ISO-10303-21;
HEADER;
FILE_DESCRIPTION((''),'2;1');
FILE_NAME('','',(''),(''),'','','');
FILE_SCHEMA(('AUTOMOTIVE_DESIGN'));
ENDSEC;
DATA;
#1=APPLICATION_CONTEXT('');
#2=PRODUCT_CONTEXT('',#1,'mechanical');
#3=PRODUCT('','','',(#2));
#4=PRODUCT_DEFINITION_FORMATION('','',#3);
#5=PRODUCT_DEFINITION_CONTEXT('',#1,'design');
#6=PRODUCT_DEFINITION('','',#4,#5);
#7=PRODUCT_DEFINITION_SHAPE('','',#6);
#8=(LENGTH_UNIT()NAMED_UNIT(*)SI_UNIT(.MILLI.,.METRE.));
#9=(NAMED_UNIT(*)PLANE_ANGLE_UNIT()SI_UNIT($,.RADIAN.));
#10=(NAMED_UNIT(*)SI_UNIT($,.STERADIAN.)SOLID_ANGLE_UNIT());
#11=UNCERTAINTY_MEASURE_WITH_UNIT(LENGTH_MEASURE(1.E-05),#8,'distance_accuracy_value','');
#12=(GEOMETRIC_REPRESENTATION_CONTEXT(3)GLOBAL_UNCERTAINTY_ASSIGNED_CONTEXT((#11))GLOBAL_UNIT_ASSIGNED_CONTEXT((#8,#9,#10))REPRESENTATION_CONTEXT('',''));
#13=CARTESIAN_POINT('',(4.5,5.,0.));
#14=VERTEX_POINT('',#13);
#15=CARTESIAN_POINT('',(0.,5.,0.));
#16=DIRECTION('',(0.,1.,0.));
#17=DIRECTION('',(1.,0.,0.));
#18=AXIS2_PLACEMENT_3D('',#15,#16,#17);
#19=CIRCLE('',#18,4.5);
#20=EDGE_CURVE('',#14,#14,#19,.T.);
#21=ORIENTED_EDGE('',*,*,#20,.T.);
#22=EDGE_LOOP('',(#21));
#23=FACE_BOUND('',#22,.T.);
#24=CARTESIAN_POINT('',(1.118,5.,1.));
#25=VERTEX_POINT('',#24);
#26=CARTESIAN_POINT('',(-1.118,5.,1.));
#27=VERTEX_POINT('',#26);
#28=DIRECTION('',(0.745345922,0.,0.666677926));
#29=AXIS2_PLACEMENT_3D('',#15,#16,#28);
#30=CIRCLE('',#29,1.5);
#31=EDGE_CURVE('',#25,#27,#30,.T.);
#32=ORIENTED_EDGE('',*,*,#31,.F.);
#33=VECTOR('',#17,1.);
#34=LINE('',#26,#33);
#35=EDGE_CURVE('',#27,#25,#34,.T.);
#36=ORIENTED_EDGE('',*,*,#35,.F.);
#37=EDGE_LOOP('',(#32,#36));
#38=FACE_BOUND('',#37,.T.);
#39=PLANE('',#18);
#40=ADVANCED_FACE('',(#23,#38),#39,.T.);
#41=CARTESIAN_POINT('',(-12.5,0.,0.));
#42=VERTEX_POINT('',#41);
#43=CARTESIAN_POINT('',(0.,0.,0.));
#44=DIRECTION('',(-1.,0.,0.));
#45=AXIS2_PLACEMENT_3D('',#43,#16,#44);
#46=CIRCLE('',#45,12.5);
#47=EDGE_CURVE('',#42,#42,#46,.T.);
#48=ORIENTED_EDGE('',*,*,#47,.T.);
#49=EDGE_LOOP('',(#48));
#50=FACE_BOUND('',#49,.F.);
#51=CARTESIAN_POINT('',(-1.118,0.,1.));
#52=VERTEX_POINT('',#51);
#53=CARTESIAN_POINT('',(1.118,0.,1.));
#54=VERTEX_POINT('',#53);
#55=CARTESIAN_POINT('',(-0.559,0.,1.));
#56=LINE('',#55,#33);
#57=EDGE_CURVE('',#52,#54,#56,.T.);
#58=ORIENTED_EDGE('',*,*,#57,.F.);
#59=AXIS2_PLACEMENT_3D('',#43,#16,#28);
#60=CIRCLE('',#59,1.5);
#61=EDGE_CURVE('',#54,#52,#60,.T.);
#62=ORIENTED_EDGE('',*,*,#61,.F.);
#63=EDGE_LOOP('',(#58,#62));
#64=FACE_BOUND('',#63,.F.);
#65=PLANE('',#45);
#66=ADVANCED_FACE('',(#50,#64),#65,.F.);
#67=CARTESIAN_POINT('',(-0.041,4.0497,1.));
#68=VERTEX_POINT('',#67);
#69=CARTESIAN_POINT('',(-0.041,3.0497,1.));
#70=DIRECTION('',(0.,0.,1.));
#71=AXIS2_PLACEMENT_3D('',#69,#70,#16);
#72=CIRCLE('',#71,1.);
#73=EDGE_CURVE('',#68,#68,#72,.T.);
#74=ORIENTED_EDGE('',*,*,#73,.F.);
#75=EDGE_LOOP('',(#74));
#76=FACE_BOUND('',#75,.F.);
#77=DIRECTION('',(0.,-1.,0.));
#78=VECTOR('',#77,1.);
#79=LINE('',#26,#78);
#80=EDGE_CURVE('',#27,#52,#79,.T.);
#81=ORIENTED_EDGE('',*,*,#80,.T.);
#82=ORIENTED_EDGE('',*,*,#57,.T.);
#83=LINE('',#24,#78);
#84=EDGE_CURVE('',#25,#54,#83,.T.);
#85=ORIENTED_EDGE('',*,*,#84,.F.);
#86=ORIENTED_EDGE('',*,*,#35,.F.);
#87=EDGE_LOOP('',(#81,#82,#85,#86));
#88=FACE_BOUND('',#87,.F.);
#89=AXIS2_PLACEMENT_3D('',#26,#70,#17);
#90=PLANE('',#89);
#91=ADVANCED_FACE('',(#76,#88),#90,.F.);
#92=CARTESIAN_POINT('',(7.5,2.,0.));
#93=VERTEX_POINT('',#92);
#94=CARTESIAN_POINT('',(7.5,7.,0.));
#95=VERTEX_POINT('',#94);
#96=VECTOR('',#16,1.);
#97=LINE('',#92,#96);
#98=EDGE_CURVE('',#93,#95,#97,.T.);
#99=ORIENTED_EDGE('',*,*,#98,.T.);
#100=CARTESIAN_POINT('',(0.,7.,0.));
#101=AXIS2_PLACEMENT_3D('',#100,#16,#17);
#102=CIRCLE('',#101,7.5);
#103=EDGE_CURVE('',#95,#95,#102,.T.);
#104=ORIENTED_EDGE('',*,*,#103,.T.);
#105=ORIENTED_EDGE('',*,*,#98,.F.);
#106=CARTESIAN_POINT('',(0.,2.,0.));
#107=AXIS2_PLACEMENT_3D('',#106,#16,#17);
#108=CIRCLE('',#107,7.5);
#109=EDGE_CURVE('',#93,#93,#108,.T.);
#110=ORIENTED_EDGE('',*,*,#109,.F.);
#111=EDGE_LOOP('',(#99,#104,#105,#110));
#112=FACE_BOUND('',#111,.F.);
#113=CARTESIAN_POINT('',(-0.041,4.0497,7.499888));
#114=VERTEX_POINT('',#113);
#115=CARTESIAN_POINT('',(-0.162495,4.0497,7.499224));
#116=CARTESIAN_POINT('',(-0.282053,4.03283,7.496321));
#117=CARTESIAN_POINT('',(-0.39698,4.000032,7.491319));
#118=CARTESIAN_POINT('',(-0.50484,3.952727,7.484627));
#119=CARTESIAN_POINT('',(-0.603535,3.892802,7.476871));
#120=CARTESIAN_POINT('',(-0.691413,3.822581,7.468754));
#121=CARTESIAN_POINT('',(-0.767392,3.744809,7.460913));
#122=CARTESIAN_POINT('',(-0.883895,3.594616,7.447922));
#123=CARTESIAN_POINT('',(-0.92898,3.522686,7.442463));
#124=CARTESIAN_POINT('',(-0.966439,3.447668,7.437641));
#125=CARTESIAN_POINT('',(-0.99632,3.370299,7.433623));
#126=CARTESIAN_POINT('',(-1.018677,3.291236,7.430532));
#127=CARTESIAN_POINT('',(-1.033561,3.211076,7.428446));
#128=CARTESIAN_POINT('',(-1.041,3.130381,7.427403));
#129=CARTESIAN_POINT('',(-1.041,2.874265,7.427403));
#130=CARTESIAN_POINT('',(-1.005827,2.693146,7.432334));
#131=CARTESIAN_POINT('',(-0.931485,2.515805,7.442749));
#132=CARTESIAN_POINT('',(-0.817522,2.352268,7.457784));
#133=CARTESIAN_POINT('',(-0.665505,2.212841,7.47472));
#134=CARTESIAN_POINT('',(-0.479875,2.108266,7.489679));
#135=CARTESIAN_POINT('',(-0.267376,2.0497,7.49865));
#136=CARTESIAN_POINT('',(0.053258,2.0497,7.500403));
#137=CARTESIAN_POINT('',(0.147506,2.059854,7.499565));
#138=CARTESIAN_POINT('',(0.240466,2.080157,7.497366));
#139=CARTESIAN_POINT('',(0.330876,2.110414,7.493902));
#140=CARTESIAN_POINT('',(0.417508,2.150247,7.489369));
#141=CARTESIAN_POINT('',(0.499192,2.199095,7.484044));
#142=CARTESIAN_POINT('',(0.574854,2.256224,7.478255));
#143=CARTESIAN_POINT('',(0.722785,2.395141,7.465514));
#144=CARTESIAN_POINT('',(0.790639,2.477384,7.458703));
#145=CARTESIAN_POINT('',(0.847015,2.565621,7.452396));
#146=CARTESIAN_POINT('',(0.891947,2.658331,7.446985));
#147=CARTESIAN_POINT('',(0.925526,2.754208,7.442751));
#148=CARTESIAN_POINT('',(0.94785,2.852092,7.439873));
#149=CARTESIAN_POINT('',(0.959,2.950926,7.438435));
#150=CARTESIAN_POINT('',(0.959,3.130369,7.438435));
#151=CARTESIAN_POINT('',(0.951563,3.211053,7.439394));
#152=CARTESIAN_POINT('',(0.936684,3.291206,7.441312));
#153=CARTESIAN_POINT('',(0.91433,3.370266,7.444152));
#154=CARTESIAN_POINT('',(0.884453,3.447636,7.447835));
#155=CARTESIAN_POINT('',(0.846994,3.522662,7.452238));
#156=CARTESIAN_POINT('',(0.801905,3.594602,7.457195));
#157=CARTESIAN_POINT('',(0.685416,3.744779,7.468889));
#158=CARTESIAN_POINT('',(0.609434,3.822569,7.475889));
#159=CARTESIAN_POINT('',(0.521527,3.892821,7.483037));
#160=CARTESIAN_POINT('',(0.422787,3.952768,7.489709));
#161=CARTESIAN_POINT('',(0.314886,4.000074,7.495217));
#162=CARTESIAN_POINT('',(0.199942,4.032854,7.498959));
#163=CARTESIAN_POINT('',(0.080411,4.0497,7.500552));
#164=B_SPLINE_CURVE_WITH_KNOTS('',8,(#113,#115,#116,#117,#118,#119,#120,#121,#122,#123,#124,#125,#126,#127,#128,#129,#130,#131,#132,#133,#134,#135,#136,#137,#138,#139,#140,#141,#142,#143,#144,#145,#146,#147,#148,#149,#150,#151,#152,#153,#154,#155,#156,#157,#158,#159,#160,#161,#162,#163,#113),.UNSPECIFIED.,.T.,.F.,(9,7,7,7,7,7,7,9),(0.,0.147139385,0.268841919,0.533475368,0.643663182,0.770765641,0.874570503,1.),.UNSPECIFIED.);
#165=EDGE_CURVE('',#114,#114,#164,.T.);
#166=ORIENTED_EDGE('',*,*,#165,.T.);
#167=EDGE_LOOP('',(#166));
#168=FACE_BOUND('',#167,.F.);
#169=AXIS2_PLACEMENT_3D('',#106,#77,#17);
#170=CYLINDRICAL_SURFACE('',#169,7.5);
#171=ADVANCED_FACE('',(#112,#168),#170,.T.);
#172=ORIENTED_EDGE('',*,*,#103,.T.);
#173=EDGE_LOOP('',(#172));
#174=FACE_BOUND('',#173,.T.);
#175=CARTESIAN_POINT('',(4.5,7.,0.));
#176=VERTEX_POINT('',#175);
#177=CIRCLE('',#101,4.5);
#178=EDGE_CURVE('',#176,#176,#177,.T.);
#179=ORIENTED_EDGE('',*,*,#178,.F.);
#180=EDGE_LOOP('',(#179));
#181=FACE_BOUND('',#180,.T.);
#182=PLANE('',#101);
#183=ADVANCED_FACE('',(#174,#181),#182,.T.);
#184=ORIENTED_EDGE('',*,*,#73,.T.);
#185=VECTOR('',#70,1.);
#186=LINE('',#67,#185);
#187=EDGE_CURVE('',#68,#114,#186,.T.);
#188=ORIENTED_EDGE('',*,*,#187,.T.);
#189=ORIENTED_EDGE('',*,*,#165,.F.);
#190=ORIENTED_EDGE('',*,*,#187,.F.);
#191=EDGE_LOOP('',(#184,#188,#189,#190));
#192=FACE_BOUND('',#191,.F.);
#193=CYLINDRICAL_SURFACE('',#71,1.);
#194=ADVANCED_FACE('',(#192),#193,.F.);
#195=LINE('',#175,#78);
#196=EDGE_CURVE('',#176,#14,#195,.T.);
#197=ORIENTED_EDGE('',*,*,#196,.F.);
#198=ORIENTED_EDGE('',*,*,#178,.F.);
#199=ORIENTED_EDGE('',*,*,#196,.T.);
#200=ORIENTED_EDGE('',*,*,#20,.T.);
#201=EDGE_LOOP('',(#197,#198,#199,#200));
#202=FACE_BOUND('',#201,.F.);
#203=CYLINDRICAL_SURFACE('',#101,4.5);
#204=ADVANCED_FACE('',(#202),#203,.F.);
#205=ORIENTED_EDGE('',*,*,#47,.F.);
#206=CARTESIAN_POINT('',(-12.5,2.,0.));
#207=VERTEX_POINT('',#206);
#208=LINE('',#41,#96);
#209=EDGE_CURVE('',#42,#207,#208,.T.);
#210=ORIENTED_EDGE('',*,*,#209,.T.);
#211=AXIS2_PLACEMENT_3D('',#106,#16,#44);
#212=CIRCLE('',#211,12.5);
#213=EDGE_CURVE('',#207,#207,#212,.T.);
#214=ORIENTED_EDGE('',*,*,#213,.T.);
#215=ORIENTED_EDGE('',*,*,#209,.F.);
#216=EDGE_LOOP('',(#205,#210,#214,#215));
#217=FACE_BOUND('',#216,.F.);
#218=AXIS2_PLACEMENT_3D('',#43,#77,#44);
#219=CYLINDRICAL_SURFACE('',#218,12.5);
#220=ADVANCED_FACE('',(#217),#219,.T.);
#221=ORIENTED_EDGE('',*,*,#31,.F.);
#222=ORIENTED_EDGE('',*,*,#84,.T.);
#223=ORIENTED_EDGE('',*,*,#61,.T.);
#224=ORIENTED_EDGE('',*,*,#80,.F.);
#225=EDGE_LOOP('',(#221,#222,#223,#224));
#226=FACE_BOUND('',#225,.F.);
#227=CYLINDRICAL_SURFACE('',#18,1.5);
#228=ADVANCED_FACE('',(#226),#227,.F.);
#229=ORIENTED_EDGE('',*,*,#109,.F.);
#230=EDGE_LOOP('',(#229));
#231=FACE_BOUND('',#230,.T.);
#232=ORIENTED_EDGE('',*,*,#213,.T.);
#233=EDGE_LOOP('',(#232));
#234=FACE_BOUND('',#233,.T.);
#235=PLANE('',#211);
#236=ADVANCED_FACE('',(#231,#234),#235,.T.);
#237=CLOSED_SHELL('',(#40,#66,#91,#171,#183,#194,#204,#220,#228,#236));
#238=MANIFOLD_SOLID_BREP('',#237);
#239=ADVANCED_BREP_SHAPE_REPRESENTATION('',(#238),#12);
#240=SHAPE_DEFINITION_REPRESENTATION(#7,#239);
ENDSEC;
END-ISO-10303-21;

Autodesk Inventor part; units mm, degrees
ref_plane "YZ Plane" through (0, 0, 0) normal (1, 0, 0) x (0, 1, 0)
ref_plane "XZ Plane" through (0, 0, 0) normal (0, 1, 0) x (-1, 0, 0)
ref_plane "XY Plane" through (0, 0, 0) normal (0, 0, 1) x (1, 0, 0)
sketch "Esquisse3" plane through (0, 0, 0) normal (0, 1, 0) x (-1, 0, 0)
  circle A0 centre (0, 0) radius 12.5
  dimension "d3" = 25
extrude "Extrusion2" add sketch "Esquisse3" along normal blind 2
sketch "Esquisse4" plane through (0, 2, 0) normal (0, 1, 0) x (1, 0, 0)
  circle A0 centre (0, 0) radius 12.5 projected
  circle A1 centre (0, 0) radius 7.5
  dimension "d6" = 15
extrude "Extrusion3" add sketch "Esquisse4" along normal blind 5 contours A1
sketch "Esquisse5" plane through (0, 7, 0) normal (0, 1, 0) x (1, 0, 0)
  circle A0 centre (0, 0) radius 7.5 projected
  circle A1 centre (0, 0) radius 4.5
  dimension "d9" = 9
extrude "Extrusion4" cut sketch "Esquisse5" against normal blind 2 contours A1
sketch "Esquisse6" plane through (0, 5, 0) normal (0, 1, 0) x (1, 0, 0)
  circle A0 centre (0, 0) radius 4.5 projected
  circle A1 centre (0, 0) radius 1.5
  line L0 (-1.118, -1) -> (1.118, -1)
  dimension "d12" = 3
  dimension "d13" = 2.5
extrude "Extrusion5" cut sketch "Esquisse6" against normal through all contours A1 L0 picked at (0.0594, -0.1702)
hole "Perçage1" at (-0.041, 3.0497, 1) direction (0, 0, 1) diameter 2 end through all
properties part number "Poulie1"
